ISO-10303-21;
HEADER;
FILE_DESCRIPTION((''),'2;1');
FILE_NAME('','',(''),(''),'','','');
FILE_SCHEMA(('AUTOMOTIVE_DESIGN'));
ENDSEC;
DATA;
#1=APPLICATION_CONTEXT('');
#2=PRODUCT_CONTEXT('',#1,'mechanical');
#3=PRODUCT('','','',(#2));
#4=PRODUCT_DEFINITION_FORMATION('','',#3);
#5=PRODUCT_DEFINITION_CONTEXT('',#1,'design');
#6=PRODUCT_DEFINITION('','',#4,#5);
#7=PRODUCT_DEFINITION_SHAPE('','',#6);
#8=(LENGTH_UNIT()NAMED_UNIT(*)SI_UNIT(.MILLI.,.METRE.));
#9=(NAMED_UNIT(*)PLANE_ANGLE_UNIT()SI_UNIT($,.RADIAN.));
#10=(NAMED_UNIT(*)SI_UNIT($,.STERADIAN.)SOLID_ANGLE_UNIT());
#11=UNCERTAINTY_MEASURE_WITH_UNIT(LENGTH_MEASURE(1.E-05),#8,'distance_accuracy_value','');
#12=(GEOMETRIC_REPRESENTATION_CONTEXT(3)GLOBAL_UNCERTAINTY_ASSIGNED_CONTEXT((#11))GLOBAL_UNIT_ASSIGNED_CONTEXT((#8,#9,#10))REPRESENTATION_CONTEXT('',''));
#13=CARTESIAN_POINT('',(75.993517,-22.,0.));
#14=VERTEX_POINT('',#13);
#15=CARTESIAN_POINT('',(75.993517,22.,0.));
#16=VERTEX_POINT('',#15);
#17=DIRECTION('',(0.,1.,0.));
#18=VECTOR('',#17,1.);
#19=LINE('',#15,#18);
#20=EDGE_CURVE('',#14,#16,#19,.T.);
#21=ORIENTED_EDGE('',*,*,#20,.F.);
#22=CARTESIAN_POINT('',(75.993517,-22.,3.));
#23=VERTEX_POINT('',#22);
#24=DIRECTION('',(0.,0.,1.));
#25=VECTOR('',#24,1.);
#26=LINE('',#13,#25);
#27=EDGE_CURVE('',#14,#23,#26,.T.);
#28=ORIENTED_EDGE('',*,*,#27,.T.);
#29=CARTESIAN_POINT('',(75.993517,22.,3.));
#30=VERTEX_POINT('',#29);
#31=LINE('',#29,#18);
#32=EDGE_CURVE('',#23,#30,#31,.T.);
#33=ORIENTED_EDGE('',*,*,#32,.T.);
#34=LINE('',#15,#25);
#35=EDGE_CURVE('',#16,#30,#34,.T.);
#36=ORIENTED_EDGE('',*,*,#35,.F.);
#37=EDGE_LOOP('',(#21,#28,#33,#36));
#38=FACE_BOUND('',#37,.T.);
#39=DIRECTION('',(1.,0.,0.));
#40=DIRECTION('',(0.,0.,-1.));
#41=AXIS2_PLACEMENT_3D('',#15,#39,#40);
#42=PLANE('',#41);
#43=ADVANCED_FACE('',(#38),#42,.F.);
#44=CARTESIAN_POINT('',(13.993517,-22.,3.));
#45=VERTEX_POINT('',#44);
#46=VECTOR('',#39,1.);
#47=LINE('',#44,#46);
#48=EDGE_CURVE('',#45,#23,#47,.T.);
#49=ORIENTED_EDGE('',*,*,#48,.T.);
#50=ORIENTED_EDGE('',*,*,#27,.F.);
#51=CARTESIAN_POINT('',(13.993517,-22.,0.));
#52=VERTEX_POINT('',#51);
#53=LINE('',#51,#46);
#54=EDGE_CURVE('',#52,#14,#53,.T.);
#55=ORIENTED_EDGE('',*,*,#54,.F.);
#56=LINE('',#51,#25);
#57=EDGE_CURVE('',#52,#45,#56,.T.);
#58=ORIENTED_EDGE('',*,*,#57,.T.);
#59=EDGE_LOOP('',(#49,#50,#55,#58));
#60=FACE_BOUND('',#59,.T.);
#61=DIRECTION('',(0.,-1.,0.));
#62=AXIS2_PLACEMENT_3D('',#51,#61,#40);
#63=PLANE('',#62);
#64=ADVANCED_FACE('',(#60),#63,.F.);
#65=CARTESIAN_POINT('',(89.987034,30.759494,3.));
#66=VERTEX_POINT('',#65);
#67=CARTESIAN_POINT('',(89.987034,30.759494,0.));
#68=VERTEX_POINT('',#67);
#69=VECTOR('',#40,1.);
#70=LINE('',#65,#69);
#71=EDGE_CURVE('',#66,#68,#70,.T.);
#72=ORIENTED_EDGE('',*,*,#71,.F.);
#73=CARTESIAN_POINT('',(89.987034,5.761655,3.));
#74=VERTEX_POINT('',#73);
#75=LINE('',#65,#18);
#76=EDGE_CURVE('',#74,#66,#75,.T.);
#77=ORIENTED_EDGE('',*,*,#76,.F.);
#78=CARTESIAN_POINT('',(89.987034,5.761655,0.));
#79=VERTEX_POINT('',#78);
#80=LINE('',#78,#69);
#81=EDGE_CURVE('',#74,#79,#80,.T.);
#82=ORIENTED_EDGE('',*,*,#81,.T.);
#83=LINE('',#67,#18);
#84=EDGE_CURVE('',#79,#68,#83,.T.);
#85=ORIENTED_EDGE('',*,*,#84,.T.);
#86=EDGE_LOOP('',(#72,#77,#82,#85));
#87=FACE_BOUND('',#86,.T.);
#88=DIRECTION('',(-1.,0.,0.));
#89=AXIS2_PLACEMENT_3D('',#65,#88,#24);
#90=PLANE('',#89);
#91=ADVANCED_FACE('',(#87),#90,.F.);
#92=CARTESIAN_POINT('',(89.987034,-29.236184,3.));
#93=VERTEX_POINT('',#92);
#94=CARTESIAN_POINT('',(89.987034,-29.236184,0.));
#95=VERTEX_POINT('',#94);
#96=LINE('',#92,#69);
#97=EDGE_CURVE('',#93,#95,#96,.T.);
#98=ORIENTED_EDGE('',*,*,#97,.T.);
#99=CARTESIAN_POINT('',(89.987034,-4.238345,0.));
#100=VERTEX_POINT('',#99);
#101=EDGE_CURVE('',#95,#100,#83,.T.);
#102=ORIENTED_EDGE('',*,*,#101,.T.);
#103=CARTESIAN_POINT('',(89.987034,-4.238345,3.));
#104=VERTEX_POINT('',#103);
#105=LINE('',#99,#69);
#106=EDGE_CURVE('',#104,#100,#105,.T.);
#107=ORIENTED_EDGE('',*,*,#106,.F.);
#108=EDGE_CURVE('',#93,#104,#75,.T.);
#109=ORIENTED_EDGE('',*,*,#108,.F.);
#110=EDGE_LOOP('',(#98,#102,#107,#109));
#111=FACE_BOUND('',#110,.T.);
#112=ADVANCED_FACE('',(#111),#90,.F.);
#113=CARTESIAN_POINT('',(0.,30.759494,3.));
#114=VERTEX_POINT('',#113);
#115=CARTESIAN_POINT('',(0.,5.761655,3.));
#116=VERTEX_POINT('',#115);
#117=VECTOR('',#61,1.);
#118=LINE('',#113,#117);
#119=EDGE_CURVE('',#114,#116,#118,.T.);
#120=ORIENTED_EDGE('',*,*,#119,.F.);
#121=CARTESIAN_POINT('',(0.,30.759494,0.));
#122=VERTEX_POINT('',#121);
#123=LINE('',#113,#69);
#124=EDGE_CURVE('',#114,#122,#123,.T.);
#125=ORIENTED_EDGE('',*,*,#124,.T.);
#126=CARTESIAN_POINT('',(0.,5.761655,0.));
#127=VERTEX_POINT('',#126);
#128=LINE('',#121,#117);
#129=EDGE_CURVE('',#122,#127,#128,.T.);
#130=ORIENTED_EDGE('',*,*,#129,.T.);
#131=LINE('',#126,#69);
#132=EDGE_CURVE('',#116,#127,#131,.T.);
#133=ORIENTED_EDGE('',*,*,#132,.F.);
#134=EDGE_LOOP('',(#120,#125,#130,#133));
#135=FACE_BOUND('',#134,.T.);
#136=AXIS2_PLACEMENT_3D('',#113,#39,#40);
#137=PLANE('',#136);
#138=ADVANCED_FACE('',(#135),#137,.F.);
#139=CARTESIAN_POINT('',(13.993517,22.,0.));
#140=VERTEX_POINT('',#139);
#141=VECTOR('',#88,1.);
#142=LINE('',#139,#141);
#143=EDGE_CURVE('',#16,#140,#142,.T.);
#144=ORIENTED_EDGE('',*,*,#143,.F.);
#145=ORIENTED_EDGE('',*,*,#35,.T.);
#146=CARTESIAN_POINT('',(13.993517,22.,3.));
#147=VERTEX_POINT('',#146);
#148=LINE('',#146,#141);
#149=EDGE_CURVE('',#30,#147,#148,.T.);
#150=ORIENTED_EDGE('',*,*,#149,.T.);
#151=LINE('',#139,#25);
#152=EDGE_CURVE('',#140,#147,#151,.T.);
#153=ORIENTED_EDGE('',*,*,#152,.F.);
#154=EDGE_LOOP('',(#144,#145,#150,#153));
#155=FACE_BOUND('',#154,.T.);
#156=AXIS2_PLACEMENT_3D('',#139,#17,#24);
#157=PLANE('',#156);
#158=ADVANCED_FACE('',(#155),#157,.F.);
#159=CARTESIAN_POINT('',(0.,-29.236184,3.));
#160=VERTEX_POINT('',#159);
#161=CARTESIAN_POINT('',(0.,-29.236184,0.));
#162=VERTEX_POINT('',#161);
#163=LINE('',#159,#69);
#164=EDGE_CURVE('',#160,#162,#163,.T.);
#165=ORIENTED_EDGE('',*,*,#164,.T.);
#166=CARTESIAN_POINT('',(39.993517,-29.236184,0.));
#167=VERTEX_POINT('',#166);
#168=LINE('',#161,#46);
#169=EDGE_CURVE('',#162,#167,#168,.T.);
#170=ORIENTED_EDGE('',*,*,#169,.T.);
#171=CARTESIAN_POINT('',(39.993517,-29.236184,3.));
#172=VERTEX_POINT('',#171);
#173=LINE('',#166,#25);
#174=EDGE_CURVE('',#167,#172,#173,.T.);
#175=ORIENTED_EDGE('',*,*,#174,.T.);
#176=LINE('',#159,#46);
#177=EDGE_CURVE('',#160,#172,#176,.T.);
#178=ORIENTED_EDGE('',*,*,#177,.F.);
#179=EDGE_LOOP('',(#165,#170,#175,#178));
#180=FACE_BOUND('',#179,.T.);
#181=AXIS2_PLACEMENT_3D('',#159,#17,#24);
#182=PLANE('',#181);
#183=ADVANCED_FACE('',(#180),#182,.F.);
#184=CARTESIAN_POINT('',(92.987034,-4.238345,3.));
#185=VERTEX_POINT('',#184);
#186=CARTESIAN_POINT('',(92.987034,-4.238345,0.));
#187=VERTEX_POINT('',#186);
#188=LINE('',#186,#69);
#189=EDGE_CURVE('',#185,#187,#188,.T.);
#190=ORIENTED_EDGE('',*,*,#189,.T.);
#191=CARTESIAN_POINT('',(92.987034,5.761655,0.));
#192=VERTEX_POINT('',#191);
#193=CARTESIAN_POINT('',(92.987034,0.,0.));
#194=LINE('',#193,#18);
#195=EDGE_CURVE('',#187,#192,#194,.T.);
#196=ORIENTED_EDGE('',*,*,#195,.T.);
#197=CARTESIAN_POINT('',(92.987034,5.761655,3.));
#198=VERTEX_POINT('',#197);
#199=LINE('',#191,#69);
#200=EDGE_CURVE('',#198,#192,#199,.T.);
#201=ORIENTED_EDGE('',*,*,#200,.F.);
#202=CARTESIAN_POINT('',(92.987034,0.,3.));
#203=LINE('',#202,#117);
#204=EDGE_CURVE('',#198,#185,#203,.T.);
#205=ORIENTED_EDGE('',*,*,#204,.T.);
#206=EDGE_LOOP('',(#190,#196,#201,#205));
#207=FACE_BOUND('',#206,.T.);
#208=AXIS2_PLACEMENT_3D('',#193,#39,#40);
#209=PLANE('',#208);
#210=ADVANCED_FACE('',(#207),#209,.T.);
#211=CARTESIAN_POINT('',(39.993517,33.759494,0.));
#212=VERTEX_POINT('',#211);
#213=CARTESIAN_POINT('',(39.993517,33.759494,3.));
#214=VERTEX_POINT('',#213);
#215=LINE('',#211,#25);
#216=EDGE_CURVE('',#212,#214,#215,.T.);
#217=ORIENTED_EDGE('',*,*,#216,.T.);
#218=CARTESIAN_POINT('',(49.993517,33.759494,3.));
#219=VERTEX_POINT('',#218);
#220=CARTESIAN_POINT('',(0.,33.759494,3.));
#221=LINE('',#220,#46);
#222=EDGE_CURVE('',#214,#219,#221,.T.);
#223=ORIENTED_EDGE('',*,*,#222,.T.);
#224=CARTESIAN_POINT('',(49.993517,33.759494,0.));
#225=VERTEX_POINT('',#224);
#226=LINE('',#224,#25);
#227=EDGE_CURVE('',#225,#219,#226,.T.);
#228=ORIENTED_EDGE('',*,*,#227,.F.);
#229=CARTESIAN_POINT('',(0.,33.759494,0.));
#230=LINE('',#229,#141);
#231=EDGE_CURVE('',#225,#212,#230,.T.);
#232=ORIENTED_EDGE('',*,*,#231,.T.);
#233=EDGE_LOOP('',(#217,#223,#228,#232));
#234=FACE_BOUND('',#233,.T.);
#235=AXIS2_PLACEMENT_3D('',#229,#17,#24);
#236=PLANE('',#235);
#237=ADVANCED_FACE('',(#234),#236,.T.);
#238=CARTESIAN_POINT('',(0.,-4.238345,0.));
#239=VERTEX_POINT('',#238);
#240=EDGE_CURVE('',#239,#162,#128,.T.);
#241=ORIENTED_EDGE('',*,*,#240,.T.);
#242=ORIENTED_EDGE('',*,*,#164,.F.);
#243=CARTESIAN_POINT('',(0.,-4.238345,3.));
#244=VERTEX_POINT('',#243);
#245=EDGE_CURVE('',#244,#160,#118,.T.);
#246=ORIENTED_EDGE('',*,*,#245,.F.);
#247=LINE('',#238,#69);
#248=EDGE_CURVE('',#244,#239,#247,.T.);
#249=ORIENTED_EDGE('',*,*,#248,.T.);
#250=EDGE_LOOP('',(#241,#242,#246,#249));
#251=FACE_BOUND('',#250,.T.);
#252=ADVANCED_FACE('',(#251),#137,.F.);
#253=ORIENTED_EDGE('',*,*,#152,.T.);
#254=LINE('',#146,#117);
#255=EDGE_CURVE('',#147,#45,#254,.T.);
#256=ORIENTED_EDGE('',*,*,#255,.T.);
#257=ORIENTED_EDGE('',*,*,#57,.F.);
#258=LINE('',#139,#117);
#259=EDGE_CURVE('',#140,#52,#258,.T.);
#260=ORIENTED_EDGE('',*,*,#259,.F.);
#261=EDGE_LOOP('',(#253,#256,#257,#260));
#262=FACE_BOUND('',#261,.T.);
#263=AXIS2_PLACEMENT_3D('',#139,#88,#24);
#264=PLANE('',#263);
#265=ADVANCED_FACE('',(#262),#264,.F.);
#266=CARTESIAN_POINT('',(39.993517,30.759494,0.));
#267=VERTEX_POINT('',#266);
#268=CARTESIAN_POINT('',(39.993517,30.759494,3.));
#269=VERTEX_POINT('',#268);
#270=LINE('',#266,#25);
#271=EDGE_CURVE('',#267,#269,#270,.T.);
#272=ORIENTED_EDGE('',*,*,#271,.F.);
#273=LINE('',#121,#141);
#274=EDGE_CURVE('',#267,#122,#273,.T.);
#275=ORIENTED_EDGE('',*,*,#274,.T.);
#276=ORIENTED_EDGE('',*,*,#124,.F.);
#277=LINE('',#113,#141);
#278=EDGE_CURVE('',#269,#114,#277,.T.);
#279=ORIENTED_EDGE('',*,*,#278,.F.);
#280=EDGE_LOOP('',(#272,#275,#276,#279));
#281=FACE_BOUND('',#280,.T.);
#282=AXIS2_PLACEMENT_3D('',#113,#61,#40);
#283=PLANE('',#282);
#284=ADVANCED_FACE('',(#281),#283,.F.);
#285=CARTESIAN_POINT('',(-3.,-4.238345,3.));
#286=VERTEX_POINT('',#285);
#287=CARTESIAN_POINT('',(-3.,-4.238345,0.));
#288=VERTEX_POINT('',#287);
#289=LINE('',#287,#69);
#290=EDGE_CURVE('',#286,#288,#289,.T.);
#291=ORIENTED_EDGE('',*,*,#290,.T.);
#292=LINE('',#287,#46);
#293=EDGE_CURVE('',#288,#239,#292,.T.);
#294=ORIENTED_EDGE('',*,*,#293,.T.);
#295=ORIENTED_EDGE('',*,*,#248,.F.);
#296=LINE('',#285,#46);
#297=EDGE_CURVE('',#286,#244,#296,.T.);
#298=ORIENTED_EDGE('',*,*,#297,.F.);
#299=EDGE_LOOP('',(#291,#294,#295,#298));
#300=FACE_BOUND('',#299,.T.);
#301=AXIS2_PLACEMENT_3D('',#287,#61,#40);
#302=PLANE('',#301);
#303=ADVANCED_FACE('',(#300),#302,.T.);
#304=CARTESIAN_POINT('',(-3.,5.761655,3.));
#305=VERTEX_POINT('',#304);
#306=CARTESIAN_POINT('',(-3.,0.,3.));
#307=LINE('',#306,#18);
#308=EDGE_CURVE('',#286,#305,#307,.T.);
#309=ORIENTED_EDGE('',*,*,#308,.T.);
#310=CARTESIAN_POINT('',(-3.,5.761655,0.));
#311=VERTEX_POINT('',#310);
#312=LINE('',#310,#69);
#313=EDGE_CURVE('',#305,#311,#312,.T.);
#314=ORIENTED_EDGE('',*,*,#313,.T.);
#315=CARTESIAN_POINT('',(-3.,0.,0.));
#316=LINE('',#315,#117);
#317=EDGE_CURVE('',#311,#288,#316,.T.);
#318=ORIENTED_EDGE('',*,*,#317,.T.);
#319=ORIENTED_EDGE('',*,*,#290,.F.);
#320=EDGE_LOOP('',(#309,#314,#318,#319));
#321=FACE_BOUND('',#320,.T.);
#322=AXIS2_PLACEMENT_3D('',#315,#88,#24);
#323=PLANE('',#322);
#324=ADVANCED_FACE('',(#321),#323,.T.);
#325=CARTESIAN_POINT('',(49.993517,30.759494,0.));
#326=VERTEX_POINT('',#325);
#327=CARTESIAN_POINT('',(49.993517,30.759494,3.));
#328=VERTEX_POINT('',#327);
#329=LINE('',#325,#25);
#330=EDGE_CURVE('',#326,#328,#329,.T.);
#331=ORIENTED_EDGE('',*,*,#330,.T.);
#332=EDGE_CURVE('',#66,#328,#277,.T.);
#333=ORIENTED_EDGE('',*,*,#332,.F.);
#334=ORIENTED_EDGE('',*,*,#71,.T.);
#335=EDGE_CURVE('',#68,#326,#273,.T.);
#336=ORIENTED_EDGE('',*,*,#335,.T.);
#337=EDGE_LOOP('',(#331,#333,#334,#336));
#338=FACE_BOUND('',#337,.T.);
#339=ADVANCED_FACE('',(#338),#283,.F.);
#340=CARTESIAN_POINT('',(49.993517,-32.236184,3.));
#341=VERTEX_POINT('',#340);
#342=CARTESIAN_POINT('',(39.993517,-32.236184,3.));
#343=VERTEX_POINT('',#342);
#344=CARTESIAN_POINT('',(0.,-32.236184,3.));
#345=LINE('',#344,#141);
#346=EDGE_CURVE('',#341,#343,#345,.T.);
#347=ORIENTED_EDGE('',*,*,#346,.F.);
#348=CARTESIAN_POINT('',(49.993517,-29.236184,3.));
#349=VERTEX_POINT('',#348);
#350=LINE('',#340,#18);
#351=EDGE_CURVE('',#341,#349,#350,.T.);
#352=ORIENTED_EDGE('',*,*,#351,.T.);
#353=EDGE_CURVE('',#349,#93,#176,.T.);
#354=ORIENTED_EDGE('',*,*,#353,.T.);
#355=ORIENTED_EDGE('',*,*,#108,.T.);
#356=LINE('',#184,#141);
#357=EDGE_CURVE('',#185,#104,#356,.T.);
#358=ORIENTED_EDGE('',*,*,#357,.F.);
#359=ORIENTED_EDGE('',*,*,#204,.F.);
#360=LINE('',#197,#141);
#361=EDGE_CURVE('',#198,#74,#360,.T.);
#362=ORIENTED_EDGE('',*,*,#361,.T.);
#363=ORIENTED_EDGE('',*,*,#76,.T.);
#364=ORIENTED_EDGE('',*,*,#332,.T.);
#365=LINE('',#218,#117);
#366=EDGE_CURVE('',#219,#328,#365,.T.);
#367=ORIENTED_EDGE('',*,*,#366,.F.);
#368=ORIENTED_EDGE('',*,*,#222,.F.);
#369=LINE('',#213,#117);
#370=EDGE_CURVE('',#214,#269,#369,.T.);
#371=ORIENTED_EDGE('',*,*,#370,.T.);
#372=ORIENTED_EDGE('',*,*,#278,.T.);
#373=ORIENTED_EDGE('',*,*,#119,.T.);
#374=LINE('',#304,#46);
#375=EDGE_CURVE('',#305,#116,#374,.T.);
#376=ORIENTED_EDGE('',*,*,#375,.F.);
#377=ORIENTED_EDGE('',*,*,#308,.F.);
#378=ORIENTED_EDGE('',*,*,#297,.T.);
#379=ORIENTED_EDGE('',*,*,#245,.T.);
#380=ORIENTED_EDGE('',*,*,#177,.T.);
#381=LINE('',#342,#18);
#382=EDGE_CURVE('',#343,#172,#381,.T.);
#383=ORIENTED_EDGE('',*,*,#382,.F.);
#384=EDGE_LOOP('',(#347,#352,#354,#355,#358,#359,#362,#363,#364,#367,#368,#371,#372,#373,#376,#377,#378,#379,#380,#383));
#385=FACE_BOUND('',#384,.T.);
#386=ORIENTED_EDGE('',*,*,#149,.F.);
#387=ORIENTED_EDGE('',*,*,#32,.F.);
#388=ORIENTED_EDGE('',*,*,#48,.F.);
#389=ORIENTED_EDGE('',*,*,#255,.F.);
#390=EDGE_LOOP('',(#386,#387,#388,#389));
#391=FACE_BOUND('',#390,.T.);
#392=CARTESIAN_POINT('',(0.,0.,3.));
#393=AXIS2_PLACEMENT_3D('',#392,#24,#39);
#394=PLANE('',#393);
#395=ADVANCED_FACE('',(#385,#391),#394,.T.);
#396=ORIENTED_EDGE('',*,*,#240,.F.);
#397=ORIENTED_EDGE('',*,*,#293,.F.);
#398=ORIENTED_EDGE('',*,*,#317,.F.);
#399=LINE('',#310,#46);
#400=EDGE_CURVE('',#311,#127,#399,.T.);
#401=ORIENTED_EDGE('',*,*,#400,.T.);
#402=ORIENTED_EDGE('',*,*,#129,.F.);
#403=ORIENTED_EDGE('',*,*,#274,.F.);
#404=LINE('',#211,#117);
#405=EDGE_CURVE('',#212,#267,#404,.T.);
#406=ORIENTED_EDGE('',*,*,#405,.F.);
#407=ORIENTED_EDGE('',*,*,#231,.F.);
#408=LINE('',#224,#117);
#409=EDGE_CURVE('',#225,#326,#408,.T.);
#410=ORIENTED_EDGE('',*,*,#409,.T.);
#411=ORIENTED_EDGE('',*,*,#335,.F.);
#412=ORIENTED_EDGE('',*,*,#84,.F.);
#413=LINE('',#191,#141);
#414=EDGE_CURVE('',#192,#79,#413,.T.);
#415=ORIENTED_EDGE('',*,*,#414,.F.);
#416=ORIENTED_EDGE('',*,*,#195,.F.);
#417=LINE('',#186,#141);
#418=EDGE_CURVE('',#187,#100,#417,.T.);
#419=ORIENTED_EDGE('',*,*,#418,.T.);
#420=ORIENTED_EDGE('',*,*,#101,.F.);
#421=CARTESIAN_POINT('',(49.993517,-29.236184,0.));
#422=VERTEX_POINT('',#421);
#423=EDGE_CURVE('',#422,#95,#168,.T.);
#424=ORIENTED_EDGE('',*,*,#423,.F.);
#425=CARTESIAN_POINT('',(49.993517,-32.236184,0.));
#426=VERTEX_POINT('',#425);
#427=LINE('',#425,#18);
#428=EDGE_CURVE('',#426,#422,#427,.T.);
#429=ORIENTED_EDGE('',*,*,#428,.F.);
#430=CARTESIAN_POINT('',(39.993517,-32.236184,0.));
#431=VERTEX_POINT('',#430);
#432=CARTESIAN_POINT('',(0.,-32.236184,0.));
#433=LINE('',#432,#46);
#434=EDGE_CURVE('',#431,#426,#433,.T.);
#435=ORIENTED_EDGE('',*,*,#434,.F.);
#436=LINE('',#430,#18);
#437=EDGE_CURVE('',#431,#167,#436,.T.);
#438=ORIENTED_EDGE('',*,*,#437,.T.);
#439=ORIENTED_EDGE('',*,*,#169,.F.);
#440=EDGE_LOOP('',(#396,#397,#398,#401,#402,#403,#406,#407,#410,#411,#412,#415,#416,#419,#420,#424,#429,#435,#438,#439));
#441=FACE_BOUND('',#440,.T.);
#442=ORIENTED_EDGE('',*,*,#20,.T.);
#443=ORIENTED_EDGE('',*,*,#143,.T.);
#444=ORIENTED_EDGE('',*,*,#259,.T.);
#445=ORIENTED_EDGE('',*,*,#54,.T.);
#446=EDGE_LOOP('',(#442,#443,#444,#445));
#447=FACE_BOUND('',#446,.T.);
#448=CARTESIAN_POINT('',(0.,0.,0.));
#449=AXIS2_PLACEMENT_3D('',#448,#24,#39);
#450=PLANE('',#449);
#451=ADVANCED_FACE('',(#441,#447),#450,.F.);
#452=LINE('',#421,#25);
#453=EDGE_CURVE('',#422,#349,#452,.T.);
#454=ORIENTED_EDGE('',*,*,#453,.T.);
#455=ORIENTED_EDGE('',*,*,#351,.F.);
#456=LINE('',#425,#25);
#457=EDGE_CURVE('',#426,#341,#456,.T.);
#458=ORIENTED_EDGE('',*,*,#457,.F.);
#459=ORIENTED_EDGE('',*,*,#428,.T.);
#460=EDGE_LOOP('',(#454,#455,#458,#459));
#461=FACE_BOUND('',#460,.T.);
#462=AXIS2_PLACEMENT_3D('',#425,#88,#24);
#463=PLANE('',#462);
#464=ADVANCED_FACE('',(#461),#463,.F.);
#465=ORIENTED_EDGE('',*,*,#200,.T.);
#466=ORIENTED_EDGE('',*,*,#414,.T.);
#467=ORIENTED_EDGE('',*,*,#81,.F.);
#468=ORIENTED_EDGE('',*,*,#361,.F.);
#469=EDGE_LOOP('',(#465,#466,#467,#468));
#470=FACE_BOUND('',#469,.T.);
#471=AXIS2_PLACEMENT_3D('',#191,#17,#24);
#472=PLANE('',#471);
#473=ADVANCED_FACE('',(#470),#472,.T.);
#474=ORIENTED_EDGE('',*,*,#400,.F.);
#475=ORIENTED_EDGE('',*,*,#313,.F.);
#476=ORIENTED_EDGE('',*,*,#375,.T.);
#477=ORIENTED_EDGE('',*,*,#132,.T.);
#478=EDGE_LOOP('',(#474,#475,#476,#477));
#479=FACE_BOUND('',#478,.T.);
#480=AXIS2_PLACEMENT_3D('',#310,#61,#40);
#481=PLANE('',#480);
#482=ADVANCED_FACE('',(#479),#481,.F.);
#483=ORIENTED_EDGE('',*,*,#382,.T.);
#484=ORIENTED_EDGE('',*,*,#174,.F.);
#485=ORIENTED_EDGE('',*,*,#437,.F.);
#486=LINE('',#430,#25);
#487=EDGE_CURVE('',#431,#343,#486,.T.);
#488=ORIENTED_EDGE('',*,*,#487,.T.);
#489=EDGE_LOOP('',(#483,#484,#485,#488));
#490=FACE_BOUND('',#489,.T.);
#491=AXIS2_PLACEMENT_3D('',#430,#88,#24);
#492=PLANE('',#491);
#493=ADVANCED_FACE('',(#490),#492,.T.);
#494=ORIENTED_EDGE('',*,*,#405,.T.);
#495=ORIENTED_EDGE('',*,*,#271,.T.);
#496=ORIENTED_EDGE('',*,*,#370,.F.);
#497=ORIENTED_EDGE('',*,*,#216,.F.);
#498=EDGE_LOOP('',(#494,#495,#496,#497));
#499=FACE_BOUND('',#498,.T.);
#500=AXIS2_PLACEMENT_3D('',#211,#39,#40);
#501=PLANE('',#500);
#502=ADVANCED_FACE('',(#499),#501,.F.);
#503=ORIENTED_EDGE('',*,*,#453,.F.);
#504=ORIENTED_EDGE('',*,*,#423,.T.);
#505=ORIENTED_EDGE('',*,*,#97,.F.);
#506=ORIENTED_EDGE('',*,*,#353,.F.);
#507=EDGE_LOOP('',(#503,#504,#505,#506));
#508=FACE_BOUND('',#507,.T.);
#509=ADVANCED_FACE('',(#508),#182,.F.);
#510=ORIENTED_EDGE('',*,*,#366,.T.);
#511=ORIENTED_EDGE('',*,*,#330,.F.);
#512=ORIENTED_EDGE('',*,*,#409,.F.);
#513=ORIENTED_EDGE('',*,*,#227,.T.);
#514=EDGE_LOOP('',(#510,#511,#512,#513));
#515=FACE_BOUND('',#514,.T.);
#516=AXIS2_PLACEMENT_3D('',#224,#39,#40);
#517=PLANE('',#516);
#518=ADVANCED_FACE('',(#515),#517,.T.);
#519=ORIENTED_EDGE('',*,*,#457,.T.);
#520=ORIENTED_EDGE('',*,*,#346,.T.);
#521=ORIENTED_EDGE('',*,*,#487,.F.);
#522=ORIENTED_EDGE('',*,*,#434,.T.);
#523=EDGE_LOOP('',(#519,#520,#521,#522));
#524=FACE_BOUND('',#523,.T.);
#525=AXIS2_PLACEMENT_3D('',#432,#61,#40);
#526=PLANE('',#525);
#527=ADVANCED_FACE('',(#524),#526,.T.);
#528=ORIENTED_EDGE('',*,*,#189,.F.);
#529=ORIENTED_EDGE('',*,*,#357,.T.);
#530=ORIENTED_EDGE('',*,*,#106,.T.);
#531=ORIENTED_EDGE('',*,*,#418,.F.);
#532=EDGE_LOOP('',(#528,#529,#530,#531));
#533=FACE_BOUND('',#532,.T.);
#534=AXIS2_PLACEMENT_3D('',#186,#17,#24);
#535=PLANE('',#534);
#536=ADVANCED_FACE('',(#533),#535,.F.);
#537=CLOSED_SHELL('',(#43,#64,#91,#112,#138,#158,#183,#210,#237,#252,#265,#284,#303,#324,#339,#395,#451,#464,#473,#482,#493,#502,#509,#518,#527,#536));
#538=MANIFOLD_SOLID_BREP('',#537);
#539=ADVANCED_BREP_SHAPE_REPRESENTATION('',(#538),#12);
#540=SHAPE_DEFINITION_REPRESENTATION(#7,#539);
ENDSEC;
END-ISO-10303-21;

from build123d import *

# Parameters (mm, degrees)
CROQUIS1_W              = 89.98703429
CROQUIS1_H              = 59.995678097
SALIENTE_EXTRUIR1_DEPTH = 3
CROQUIS2_W              = 62
CROQUIS2_H              = 44
CORTAR_EXTRUIR1_DEPTH   = 3
CROQUIS3_W              = 5
CROQUIS3_H              = 3
SALIENTE_EXTRUIR2_DEPTH = 3
CROQUIS4_W              = 5
CROQUIS4_H              = 3
SALIENTE_EXTRUIR3_DEPTH = 3
CROQUIS5_W              = 3
CROQUIS5_H              = 5
SALIENTE_EXTRUIR4_DEPTH = 3
CROQUIS6_W              = 3
CROQUIS6_H              = 5
SALIENTE_EXTRUIR5_DEPTH = 3


with BuildPart() as part:
    # Croquis1 → Saliente-Extruir1 (new body)
    with BuildSketch(Plane.XY):
        with Locations((44.993517145, 0.761655066)):
            Rectangle(CROQUIS1_W, CROQUIS1_H)
    extrude(amount=SALIENTE_EXTRUIR1_DEPTH)

    # Croquis2 → Cortar-Extruir1 (cut)
    with BuildSketch(Plane.XY.offset(3)):
        with Locations((44.993517145, 0)):
            Rectangle(CROQUIS2_W, CROQUIS2_H)
    extrude(amount=-CORTAR_EXTRUIR1_DEPTH, mode=Mode.SUBTRACT)

    # Croquis3 → Saliente-Extruir2 (add)
    with BuildSketch(Plane(origin=(0, 30.759494114, 0), x_dir=(1, 0, 0), z_dir=(0, 1, 0))):
        with Locations((47.493517145, -1.5)):
            Rectangle(CROQUIS3_W, CROQUIS3_H)
        with Locations((42.493517145, -1.5)):
            Rectangle(CROQUIS3_W, CROQUIS3_H)
    extrude(amount=SALIENTE_EXTRUIR2_DEPTH)

    # Croquis4 → Saliente-Extruir3 (add)
    with BuildSketch(Plane.XZ.offset(29.236183983)):
        with Locations((47.493517145, 1.5)):
            Rectangle(CROQUIS4_W, CROQUIS4_H)
        with Locations((42.493517145, 1.5)):
            Rectangle(CROQUIS4_W, CROQUIS4_H)
    extrude(amount=SALIENTE_EXTRUIR3_DEPTH)

    # Croquis5 → Saliente-Extruir4 (add)
    with BuildSketch(Plane(origin=(89.98703429, 0, 0), x_dir=(0, 0, -1), z_dir=(1, 0, 0))):
        with Locations((-1.5, 3.261655066)):
            Rectangle(CROQUIS5_W, CROQUIS5_H)
        with Locations((-1.5, -1.738344934)):
            Rectangle(CROQUIS5_W, CROQUIS5_H)
    extrude(amount=SALIENTE_EXTRUIR4_DEPTH)

    # Croquis6 → Saliente-Extruir5 (add)
    with BuildSketch(Plane.ZY):
        with Locations((1.5, 3.261655066)):
            Rectangle(CROQUIS6_W, CROQUIS6_H)
        with Locations((1.5, -1.738344934)):
            Rectangle(CROQUIS6_W, CROQUIS6_H)
    extrude(amount=SALIENTE_EXTRUIR5_DEPTH)


solid = part.part
